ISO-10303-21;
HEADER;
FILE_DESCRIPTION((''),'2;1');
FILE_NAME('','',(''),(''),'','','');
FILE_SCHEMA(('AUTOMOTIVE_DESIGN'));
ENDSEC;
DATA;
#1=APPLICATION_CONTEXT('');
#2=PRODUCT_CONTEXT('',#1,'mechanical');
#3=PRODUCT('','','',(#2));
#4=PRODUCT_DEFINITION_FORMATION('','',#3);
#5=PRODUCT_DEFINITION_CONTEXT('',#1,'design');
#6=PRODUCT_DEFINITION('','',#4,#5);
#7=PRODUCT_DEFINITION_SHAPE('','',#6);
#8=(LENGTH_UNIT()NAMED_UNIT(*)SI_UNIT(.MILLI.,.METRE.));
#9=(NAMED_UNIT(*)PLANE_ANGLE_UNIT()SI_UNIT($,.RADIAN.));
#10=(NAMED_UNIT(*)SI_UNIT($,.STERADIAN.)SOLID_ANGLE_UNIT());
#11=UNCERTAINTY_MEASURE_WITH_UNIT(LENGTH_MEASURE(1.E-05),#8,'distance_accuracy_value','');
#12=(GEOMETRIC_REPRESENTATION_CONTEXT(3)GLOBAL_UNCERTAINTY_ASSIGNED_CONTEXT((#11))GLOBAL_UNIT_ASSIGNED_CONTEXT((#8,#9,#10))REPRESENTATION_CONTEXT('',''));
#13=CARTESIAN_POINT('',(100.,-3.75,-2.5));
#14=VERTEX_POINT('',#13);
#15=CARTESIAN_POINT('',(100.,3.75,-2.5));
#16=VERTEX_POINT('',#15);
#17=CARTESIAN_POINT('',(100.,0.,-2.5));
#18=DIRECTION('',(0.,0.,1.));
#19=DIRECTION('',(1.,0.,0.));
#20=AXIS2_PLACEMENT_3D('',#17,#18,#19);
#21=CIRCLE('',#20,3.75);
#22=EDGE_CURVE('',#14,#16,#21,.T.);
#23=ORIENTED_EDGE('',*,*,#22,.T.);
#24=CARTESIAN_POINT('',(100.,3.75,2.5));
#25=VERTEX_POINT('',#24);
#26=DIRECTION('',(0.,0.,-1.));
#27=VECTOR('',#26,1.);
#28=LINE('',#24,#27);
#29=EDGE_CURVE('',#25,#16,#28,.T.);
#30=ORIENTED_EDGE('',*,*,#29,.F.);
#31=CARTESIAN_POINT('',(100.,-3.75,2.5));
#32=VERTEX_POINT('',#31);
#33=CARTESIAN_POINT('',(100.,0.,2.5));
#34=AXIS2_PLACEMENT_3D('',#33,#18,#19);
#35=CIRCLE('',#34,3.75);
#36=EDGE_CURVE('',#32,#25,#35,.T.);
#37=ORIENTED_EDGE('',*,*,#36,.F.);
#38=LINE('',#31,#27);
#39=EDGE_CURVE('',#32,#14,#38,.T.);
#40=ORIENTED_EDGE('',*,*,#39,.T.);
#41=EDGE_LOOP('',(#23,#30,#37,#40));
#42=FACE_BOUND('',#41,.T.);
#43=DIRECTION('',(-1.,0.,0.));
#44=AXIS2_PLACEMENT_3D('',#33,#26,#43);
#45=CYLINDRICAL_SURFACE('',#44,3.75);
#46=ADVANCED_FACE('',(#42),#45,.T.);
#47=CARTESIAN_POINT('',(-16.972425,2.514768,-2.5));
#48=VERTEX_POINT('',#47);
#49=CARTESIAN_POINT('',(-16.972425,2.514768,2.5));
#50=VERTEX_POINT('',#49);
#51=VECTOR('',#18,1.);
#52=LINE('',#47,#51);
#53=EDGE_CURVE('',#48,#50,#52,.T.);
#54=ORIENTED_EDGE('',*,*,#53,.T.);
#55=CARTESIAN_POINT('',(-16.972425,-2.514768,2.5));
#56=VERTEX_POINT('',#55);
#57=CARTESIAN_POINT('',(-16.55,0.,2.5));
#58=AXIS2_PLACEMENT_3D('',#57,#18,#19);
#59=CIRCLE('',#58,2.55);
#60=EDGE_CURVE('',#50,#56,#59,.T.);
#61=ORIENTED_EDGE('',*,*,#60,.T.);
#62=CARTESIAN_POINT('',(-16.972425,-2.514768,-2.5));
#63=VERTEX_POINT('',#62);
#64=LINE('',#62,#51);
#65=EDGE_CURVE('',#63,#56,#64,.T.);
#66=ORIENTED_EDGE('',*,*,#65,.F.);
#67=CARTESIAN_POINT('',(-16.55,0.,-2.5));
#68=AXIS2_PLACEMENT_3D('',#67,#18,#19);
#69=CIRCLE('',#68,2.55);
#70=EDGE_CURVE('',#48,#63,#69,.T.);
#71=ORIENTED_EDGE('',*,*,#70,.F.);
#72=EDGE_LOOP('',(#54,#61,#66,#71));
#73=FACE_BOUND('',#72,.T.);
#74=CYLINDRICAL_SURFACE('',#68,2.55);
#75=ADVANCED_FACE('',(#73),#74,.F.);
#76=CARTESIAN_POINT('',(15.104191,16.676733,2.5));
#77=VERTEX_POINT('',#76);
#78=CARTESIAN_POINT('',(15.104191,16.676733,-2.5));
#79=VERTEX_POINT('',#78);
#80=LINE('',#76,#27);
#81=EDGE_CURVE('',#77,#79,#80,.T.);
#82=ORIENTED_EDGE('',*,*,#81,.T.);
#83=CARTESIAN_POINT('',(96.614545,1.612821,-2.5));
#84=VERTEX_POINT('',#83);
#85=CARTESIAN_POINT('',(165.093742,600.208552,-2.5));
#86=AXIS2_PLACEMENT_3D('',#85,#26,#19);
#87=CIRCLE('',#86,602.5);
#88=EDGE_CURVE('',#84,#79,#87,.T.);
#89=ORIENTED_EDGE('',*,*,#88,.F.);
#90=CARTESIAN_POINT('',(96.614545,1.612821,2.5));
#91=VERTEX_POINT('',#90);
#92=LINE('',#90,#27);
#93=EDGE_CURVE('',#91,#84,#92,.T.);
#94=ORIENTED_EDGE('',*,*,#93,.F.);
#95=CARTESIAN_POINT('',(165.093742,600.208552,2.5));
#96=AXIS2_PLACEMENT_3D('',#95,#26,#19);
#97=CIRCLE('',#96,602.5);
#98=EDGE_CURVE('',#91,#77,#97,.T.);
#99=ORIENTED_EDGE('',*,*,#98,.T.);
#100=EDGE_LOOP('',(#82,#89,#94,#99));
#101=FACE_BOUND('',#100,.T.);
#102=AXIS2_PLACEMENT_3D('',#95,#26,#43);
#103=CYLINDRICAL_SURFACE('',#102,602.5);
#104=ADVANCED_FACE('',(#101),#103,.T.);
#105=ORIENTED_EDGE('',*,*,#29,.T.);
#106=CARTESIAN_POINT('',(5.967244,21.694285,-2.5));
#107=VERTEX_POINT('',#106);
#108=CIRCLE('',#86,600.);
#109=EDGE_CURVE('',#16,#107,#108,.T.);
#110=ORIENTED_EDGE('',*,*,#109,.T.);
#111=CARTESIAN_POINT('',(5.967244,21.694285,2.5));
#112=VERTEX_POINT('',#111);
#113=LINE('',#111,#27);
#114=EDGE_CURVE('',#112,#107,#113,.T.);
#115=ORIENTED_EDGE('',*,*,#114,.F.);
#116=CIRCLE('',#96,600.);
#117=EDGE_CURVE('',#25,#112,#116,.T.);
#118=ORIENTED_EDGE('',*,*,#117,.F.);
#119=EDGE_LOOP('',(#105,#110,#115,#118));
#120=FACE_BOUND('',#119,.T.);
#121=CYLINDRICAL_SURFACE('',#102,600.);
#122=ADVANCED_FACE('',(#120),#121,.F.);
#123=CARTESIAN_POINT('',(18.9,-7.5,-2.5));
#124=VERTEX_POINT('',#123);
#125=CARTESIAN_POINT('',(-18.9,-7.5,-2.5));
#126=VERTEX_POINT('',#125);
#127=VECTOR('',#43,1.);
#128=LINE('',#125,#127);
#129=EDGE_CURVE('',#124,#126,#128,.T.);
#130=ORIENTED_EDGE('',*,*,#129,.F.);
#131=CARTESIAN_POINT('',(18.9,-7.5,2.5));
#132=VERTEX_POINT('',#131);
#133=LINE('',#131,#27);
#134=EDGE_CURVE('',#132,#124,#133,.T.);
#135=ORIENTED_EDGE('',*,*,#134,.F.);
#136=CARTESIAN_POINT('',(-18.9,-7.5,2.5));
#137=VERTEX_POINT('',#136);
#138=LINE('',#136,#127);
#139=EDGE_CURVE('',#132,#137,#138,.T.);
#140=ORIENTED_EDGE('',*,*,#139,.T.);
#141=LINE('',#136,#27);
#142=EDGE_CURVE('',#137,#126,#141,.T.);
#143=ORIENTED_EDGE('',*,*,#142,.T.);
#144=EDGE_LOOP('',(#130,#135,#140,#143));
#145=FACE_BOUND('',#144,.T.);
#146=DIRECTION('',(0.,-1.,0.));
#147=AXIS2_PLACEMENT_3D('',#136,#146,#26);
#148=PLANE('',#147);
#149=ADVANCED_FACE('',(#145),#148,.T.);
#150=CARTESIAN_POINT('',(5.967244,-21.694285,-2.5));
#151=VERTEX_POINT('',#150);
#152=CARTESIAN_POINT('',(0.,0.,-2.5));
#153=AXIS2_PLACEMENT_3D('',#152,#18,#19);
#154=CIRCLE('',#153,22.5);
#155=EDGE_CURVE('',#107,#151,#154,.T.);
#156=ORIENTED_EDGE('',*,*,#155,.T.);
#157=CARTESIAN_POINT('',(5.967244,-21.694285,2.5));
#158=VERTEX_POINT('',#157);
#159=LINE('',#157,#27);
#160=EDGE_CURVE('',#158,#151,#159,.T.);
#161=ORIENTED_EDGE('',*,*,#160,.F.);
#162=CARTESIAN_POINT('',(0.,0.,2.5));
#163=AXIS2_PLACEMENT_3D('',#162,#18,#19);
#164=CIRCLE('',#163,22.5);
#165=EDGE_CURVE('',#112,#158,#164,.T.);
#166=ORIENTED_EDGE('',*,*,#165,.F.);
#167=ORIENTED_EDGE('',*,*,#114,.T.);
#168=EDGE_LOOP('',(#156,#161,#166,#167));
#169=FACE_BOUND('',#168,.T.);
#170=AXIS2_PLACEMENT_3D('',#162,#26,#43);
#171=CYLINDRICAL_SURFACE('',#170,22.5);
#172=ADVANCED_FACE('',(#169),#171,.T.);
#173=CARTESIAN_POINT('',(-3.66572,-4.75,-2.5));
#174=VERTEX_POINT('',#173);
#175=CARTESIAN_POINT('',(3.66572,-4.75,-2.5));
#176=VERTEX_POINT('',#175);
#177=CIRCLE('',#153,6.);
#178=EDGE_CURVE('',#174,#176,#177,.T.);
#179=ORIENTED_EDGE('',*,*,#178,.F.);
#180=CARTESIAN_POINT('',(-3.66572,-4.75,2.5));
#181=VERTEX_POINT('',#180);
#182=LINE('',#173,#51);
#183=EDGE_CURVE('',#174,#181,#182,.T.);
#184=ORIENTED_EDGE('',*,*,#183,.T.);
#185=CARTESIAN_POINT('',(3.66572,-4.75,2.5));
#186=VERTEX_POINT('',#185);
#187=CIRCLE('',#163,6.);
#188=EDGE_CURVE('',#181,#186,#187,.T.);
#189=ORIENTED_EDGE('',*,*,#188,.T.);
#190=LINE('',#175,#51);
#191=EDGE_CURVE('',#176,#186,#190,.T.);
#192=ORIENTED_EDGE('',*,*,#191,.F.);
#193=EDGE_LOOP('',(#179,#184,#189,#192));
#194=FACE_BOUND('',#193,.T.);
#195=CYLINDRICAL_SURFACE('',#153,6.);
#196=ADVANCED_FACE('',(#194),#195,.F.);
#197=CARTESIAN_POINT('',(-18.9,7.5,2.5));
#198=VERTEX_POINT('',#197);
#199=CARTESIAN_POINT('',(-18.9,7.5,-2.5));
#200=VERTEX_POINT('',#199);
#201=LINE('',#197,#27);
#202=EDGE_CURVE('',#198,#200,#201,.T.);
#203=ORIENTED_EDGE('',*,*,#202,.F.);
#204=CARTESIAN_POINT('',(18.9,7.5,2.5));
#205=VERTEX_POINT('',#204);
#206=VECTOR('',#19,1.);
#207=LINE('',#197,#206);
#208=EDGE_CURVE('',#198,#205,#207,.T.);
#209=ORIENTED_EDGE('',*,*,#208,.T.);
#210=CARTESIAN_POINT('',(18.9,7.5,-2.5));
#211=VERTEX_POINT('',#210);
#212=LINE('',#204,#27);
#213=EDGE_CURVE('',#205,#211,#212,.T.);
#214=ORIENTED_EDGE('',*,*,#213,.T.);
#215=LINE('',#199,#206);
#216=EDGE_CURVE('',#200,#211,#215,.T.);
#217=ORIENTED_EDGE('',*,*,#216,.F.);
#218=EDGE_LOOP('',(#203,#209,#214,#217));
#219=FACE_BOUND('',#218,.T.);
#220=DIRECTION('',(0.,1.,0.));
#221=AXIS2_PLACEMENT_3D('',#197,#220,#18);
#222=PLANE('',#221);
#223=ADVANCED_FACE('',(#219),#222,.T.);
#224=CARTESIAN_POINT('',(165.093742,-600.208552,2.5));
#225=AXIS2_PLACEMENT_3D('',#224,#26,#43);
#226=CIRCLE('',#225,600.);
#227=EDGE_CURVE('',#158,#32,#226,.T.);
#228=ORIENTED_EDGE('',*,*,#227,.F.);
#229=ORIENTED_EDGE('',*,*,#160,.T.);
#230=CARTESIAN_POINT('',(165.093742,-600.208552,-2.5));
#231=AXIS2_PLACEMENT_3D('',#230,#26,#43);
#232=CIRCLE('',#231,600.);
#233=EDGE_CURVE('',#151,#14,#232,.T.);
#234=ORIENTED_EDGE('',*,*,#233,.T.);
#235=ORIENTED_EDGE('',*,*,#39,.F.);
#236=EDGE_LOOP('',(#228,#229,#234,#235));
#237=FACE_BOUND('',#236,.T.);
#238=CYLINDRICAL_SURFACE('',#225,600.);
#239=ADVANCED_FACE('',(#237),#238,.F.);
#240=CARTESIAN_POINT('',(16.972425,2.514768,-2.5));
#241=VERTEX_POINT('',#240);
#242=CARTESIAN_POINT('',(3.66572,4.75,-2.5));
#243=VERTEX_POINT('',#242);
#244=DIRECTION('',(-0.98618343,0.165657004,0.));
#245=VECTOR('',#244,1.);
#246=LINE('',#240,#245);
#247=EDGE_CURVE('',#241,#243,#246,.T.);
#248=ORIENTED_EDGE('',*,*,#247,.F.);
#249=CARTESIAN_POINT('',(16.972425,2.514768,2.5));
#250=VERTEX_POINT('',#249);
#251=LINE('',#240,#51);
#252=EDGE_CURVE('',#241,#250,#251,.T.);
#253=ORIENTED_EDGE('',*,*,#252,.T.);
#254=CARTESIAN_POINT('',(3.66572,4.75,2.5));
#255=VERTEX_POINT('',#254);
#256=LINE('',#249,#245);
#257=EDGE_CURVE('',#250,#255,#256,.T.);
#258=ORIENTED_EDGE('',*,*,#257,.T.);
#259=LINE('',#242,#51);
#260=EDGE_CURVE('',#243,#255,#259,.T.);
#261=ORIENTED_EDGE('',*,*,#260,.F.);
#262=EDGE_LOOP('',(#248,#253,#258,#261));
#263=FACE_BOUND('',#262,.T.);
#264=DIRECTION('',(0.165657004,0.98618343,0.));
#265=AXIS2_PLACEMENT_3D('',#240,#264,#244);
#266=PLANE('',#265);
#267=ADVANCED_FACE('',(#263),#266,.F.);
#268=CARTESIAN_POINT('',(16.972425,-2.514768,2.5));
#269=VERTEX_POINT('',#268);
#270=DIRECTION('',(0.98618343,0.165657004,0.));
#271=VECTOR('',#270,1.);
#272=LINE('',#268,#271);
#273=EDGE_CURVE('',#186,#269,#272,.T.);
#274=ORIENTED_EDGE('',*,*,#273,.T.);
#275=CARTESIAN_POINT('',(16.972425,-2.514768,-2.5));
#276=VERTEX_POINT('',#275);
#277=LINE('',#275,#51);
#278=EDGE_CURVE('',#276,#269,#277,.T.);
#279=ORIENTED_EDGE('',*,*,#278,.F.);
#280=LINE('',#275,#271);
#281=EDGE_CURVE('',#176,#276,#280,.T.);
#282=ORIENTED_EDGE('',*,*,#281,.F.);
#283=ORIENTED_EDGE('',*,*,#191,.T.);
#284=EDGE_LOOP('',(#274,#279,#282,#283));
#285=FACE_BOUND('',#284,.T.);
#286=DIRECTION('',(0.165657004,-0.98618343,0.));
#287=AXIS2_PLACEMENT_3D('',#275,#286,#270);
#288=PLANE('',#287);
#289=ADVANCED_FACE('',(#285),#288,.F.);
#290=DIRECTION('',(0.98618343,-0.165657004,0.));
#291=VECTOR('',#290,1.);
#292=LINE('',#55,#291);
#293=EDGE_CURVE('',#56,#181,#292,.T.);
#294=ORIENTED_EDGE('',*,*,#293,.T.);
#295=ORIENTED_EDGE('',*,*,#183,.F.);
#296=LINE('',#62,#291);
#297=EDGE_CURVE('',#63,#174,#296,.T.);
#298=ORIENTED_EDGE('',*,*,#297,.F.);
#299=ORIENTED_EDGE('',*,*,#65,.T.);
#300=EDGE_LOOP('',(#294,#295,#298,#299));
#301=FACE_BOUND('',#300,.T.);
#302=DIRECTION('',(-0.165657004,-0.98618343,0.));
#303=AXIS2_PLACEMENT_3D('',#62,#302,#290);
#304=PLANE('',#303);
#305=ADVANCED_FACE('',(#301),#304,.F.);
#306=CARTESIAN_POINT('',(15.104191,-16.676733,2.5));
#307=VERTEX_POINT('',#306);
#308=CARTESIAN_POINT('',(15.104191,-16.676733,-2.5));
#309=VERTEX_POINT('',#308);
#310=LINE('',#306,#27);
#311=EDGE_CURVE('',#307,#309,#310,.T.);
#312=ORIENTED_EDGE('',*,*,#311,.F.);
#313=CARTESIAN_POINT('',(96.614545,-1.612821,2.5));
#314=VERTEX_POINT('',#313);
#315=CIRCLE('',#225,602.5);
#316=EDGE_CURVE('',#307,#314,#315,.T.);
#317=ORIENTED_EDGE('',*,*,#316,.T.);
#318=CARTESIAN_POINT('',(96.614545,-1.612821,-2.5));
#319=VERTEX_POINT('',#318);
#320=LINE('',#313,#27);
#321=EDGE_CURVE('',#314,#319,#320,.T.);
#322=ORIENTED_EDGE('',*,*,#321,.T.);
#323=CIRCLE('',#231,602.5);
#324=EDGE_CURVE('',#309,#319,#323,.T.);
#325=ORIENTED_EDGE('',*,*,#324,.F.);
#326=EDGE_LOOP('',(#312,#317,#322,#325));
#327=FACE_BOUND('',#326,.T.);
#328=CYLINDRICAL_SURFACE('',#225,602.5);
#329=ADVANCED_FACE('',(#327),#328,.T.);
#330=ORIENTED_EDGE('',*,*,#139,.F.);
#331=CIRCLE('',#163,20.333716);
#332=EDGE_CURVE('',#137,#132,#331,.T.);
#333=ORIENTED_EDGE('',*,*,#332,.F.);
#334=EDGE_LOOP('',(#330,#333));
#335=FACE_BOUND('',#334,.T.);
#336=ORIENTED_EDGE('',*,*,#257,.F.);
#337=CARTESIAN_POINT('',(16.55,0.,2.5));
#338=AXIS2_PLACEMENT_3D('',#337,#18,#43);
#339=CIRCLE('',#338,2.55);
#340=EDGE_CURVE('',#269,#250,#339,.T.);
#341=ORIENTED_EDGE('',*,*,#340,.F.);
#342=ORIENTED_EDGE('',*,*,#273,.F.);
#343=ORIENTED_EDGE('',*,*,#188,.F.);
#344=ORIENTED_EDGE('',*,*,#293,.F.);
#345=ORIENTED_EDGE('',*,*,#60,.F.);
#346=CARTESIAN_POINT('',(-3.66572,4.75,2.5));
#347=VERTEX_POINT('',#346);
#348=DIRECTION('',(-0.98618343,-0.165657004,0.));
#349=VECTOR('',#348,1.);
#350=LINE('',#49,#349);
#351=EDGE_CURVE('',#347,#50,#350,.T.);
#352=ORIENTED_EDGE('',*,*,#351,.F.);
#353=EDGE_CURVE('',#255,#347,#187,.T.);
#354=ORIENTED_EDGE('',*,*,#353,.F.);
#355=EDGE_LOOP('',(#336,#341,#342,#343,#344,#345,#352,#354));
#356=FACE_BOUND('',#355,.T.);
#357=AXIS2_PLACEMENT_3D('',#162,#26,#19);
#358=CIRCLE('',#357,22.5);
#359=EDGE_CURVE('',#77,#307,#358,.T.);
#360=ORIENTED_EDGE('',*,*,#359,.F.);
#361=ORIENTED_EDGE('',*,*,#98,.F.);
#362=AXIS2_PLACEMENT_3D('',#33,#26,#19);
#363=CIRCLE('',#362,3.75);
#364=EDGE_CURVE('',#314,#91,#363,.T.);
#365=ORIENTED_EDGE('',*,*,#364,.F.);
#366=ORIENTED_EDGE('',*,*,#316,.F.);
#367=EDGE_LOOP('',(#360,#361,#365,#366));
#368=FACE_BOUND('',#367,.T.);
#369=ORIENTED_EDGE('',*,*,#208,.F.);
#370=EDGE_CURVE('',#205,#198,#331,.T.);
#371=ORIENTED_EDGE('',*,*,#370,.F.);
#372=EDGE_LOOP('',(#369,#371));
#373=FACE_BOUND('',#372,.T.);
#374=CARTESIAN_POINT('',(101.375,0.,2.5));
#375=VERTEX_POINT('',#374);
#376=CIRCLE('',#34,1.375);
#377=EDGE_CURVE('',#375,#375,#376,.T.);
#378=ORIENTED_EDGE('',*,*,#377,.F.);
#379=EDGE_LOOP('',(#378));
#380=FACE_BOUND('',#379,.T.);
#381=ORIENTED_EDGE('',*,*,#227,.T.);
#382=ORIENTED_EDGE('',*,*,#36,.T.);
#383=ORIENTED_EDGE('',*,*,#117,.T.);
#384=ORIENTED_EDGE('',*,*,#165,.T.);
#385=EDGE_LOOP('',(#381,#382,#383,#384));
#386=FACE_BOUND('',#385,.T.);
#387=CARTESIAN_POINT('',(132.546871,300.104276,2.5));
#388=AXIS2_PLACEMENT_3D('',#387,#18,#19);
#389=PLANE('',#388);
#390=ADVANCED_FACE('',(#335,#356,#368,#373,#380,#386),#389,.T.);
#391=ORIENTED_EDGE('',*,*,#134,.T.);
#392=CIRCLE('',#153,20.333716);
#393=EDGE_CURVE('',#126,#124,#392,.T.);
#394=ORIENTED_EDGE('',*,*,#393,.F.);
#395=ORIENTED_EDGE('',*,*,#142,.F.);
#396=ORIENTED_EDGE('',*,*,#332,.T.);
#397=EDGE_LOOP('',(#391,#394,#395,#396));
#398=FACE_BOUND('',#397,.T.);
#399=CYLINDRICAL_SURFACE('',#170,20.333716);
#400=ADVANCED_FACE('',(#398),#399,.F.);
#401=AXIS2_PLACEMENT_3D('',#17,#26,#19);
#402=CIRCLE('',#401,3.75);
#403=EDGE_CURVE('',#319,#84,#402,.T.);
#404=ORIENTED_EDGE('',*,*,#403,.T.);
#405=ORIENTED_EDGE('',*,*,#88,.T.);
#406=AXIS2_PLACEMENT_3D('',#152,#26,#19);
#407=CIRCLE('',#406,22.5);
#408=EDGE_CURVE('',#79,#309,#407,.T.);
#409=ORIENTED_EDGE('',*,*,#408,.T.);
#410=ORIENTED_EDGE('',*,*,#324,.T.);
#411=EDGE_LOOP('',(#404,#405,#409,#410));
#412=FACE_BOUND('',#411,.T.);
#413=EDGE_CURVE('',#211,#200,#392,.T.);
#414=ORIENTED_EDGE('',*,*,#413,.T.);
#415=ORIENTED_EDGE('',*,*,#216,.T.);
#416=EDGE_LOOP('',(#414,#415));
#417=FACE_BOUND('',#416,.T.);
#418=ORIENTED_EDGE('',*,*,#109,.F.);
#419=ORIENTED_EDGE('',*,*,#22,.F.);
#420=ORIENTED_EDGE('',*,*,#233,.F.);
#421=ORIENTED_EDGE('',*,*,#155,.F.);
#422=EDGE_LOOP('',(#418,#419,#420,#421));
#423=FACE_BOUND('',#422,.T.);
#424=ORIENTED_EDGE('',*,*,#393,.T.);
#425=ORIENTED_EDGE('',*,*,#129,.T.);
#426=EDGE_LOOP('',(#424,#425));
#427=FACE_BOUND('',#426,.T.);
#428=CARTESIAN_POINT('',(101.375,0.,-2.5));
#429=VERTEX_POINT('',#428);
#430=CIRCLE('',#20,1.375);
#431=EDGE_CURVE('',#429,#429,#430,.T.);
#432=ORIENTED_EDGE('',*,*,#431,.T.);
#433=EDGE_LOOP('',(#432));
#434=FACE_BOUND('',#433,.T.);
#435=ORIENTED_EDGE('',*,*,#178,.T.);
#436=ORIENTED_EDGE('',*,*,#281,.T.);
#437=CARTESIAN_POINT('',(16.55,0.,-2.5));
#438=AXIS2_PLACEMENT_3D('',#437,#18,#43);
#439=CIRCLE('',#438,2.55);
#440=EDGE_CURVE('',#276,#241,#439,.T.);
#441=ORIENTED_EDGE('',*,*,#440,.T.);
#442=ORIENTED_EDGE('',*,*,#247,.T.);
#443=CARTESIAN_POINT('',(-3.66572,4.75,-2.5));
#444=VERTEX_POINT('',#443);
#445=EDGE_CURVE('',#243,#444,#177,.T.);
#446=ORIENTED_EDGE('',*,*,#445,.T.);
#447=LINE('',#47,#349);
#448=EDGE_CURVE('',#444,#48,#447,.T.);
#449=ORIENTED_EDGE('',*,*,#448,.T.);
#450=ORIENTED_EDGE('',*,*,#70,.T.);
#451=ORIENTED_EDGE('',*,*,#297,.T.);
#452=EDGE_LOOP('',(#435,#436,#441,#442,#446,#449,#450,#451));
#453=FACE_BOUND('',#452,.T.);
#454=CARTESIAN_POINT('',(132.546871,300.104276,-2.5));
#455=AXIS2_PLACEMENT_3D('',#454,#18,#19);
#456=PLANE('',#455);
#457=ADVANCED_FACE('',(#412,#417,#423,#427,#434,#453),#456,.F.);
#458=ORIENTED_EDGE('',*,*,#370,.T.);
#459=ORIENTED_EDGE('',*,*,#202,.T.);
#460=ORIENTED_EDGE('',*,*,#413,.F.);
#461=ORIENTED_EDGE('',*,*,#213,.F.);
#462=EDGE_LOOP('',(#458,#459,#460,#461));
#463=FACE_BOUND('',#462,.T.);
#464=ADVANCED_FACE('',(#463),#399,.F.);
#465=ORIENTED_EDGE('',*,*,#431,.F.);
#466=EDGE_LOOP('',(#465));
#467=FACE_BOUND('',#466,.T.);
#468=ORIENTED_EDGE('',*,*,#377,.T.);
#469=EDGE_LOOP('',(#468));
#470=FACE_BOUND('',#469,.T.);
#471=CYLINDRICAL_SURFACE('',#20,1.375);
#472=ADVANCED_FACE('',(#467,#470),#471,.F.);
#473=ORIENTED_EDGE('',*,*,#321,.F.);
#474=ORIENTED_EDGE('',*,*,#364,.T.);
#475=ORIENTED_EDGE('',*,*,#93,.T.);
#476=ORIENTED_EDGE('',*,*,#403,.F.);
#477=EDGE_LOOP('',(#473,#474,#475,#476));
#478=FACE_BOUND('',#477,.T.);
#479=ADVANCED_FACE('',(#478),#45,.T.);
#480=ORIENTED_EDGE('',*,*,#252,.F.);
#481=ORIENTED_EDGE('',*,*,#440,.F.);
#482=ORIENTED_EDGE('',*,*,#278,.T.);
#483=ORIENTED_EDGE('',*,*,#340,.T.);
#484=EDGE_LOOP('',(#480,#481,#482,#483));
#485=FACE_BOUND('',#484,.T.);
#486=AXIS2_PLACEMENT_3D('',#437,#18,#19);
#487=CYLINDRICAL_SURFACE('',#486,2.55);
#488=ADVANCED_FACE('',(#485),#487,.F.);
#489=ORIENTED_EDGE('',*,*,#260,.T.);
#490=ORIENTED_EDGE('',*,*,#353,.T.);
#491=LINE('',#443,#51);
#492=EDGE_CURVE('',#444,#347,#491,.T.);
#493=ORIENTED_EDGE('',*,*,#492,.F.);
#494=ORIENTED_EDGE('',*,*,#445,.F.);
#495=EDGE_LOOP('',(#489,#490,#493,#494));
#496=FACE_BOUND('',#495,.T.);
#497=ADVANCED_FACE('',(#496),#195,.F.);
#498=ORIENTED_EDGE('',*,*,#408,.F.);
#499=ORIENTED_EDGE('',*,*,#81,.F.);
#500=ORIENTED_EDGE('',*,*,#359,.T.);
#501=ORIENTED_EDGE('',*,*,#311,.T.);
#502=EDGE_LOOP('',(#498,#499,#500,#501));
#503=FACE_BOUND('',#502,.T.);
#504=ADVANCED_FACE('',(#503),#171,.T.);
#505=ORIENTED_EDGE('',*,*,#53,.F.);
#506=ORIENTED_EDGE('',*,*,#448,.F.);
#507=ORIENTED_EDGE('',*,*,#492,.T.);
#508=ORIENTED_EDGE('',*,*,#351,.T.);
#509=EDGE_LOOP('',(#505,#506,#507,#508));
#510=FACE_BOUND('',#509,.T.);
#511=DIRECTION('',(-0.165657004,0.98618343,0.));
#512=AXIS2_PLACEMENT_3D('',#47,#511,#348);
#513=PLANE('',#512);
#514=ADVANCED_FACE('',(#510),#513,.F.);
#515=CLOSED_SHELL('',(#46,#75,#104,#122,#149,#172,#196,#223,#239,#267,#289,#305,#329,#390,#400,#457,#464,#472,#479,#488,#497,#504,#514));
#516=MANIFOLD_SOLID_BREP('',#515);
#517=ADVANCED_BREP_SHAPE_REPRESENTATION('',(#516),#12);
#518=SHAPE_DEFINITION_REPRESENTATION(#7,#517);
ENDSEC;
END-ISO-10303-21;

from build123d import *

# Parameters (mm, degrees)
BOSS_EXTRUDE1_DEPTH     = 2.5
CUT_EXTRUDE1_DEPTH      = 107.279407695
CUT_EXTRUDE2_DEPTH      = 107.191160178
CUT_EXTRUDE2_DEPTH_BACK = 107.191160178
SKETCH6_R               = 1.375


with BuildPart() as part:
    # Sketch3 → Boss-Extrude1 (new, symmetric)
    with BuildSketch(Plane.XY):
        with BuildLine():
            ThreePointArc((5.967243679, 21.694285028), (-22.5, 0), (5.967243679, -21.694285028))
            ThreePointArc((5.967243679, -21.694285028), (52.625175797, -10.843791309), (100, -3.75))
            ThreePointArc((100, -3.75), (103.75, 0), (100, 3.75))
            ThreePointArc((100, 3.75), (52.625175797, 10.843791309), (5.967243679, 21.694285028))
        make_face()
        with BuildLine():
            Line((-18.9, -7.5), (18.9, -7.5))
            ThreePointArc((18.9, -7.5), (0, -20.333715843), (-18.9, -7.5))
        make_face(mode=Mode.SUBTRACT)
        with BuildLine():
            Line((-18.9, 7.5), (18.9, 7.5))
            ThreePointArc((18.9, 7.5), (0, 20.333715843), (-18.9, 7.5))
        make_face(mode=Mode.SUBTRACT)
        with BuildLine():
            ThreePointArc((15.104191038, 16.676732686), (55.600003106, 7.741362472), (96.614544634, 1.612821119))
            ThreePointArc((96.614544634, 1.612821119), (96.25, 0), (96.614544634, -1.612821119))
            ThreePointArc((96.614544634, -1.612821119), (55.600003106, -7.741362472), (15.104191038, -16.676732686))
            ThreePointArc((15.104191038, -16.676732686), (22.5, 0), (15.104191038, 16.676732686))
        make_face(mode=Mode.SUBTRACT)
    extrude(amount=BOSS_EXTRUDE1_DEPTH, both=True)

    # Sketch4 → Cut-Extrude1 (cut, through all)
    with BuildSketch(Plane.XY.offset(2.5)):
        with BuildLine():
            Line((-16.97242536, 2.514767746), (-3.665719575, 4.75))
            ThreePointArc((-3.665719575, 4.75), (0, 6), (3.665719575, 4.75))
            Line((3.665719575, 4.75), (16.97242536, 2.514767746))
            ThreePointArc((16.97242536, 2.514767746), (19.1, 0), (16.97242536, -2.514767746))
            Line((16.97242536, -2.514767746), (3.665719575, -4.75))
            ThreePointArc((3.665719575, -4.75), (0, -6), (-3.665719575, -4.75))
            Line((-3.665719575, -4.75), (-16.97242536, -2.514767746))
            ThreePointArc((-16.97242536, -2.514767746), (-19.1, 0), (-16.97242536, 2.514767746))
        make_face()
    extrude(amount=-CUT_EXTRUDE1_DEPTH, mode=Mode.SUBTRACT)

    # Sketch6 → Cut-Extrude2 (cut, two sides: drawn at the far end of the back side and taken through both)
    with BuildSketch(Plane.XY.offset(-CUT_EXTRUDE2_DEPTH_BACK)):
        with Locations((100, 0)):
            Circle(SKETCH6_R)
    extrude(amount=CUT_EXTRUDE2_DEPTH + CUT_EXTRUDE2_DEPTH_BACK, mode=Mode.SUBTRACT)


solid = part.part
